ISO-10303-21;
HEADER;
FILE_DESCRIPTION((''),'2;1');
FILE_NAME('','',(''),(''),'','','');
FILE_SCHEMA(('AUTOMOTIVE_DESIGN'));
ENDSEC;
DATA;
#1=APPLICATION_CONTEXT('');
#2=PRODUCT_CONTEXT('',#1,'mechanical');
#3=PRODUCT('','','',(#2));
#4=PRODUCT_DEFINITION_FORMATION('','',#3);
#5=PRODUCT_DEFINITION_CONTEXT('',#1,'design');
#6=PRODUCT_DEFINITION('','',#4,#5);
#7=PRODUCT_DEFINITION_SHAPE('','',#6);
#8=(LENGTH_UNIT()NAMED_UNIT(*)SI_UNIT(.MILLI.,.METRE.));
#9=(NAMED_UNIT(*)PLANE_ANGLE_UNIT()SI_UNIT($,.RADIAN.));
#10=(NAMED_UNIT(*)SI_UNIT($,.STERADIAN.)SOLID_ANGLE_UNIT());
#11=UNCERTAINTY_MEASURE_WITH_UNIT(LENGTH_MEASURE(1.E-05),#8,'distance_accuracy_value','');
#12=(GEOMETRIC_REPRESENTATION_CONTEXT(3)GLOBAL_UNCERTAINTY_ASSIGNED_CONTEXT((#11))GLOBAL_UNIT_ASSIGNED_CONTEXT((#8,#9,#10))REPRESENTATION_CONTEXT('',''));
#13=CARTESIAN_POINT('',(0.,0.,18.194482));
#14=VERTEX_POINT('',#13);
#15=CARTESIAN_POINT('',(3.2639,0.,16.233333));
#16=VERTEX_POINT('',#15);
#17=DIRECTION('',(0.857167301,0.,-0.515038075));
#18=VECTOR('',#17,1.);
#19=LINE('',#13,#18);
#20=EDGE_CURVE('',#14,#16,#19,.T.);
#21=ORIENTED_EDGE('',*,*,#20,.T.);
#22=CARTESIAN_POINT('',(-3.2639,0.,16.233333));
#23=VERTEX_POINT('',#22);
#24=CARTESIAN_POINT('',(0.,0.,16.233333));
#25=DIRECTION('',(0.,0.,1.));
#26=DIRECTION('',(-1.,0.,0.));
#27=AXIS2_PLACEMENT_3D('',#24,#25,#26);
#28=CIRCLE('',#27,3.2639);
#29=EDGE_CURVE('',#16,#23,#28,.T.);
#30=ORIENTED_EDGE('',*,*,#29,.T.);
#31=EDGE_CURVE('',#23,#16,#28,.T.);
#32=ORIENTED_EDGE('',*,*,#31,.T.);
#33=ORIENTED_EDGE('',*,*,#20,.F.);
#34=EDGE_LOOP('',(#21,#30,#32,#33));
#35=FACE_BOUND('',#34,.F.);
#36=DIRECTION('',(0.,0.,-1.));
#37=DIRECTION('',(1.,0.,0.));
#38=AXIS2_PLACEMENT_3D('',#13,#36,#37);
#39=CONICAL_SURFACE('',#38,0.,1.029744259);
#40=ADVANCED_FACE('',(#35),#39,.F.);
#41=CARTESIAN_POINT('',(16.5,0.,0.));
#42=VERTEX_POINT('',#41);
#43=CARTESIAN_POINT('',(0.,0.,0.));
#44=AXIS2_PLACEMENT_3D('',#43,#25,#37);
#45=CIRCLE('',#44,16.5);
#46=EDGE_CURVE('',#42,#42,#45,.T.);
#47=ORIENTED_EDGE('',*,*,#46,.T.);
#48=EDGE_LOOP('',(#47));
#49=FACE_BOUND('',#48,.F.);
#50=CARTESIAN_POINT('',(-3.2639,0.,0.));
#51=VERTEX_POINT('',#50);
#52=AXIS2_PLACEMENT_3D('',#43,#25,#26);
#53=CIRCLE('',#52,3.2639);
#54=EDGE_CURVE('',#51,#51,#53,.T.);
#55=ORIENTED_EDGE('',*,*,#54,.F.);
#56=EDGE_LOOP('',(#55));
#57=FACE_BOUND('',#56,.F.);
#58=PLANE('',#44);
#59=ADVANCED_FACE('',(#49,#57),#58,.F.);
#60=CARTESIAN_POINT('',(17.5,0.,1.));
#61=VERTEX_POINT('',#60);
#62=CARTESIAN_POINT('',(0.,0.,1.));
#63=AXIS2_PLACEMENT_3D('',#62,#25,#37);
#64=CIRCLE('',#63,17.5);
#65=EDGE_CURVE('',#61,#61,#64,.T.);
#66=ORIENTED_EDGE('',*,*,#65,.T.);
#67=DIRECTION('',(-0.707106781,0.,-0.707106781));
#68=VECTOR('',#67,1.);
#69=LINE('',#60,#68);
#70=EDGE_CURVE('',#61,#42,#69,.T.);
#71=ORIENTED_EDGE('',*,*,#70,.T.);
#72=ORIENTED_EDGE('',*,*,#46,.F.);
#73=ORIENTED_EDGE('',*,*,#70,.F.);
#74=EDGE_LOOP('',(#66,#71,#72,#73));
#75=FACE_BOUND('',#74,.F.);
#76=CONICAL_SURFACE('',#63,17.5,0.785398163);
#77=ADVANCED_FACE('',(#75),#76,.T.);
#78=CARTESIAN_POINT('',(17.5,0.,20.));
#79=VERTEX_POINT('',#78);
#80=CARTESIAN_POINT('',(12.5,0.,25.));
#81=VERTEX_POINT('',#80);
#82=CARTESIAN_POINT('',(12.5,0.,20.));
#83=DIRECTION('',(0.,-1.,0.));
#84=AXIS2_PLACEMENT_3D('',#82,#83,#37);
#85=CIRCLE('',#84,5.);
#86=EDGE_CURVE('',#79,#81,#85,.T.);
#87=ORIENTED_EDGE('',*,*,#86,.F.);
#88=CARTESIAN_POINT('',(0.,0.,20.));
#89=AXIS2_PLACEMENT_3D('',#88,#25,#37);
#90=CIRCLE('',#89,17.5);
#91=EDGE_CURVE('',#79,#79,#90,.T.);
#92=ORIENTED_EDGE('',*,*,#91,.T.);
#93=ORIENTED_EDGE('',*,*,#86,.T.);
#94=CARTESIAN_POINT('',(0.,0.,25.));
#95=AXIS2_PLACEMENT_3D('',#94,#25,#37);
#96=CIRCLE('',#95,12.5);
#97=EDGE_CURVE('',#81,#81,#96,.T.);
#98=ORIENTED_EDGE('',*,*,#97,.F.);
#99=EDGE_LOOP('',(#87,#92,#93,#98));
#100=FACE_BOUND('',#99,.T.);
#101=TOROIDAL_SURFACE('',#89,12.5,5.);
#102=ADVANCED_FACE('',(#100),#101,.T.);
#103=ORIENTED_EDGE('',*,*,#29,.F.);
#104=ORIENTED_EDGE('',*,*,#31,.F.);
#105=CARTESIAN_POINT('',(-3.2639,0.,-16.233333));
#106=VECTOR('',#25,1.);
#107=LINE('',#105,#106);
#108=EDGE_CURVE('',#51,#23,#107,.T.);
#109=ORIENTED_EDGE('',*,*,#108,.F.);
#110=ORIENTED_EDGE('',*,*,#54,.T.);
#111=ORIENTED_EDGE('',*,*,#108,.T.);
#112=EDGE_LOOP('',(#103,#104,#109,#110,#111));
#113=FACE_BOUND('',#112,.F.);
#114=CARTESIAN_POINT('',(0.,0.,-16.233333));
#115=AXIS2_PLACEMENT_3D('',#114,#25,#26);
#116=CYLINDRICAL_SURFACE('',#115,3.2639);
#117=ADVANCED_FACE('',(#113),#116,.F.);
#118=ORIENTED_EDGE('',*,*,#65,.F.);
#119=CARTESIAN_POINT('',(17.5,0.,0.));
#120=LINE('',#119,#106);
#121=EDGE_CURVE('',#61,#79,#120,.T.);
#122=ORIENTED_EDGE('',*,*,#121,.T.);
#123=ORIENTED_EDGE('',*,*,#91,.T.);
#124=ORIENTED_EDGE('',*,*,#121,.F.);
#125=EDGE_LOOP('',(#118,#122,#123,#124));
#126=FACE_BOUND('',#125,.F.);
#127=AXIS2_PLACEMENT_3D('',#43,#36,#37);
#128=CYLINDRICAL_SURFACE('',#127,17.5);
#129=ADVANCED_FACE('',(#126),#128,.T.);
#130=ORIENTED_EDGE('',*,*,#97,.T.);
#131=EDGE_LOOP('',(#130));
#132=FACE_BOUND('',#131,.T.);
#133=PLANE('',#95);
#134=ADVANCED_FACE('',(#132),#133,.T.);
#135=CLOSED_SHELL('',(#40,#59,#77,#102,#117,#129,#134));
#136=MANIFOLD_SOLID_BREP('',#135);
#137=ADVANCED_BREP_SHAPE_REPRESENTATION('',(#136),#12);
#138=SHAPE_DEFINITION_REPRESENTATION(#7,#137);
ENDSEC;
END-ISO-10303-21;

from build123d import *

# Parameters (mm, degrees)
F0_R     = 17.5
F1_DEPTH = 25
F2_R     = 5
F3_SIZE  = 1
F4_D     = 6.5278
F4_DEPTH = 16.2333333333
F4_TIP   = 1.9611489744


with BuildPart() as f1:
    # F0 (on Top) → F1 (new body)
    with BuildSketch(Plane.XY):
        Circle(F0_R)
    extrude(amount=F1_DEPTH)

    # F2
    f2_edges = [f1.edges().sort_by_distance(p)[0] for p in [
        (-17.5, 0, 25),
    ]]
    fillet(f2_edges, radius=F2_R)

    # F3
    f3_edges = [f1.edges().sort_by_distance(p)[0] for p in [
        (-17.5, 0, 0),
    ]]
    chamfer(f3_edges, length=F3_SIZE)

    # F4
    with Locations(Plane(origin=(0, 0, 0), x_dir=(1, 0, 0), z_dir=(0, 0, -1))):
        with Locations((0, 0)):
            Hole(F4_D / 2, depth=F4_DEPTH)
            with Locations((0, 0, -(F4_DEPTH + F4_TIP / 2))):  # 118° drill point
                Cone(0, F4_D / 2, F4_TIP, mode=Mode.SUBTRACT)


solid = f1.part
